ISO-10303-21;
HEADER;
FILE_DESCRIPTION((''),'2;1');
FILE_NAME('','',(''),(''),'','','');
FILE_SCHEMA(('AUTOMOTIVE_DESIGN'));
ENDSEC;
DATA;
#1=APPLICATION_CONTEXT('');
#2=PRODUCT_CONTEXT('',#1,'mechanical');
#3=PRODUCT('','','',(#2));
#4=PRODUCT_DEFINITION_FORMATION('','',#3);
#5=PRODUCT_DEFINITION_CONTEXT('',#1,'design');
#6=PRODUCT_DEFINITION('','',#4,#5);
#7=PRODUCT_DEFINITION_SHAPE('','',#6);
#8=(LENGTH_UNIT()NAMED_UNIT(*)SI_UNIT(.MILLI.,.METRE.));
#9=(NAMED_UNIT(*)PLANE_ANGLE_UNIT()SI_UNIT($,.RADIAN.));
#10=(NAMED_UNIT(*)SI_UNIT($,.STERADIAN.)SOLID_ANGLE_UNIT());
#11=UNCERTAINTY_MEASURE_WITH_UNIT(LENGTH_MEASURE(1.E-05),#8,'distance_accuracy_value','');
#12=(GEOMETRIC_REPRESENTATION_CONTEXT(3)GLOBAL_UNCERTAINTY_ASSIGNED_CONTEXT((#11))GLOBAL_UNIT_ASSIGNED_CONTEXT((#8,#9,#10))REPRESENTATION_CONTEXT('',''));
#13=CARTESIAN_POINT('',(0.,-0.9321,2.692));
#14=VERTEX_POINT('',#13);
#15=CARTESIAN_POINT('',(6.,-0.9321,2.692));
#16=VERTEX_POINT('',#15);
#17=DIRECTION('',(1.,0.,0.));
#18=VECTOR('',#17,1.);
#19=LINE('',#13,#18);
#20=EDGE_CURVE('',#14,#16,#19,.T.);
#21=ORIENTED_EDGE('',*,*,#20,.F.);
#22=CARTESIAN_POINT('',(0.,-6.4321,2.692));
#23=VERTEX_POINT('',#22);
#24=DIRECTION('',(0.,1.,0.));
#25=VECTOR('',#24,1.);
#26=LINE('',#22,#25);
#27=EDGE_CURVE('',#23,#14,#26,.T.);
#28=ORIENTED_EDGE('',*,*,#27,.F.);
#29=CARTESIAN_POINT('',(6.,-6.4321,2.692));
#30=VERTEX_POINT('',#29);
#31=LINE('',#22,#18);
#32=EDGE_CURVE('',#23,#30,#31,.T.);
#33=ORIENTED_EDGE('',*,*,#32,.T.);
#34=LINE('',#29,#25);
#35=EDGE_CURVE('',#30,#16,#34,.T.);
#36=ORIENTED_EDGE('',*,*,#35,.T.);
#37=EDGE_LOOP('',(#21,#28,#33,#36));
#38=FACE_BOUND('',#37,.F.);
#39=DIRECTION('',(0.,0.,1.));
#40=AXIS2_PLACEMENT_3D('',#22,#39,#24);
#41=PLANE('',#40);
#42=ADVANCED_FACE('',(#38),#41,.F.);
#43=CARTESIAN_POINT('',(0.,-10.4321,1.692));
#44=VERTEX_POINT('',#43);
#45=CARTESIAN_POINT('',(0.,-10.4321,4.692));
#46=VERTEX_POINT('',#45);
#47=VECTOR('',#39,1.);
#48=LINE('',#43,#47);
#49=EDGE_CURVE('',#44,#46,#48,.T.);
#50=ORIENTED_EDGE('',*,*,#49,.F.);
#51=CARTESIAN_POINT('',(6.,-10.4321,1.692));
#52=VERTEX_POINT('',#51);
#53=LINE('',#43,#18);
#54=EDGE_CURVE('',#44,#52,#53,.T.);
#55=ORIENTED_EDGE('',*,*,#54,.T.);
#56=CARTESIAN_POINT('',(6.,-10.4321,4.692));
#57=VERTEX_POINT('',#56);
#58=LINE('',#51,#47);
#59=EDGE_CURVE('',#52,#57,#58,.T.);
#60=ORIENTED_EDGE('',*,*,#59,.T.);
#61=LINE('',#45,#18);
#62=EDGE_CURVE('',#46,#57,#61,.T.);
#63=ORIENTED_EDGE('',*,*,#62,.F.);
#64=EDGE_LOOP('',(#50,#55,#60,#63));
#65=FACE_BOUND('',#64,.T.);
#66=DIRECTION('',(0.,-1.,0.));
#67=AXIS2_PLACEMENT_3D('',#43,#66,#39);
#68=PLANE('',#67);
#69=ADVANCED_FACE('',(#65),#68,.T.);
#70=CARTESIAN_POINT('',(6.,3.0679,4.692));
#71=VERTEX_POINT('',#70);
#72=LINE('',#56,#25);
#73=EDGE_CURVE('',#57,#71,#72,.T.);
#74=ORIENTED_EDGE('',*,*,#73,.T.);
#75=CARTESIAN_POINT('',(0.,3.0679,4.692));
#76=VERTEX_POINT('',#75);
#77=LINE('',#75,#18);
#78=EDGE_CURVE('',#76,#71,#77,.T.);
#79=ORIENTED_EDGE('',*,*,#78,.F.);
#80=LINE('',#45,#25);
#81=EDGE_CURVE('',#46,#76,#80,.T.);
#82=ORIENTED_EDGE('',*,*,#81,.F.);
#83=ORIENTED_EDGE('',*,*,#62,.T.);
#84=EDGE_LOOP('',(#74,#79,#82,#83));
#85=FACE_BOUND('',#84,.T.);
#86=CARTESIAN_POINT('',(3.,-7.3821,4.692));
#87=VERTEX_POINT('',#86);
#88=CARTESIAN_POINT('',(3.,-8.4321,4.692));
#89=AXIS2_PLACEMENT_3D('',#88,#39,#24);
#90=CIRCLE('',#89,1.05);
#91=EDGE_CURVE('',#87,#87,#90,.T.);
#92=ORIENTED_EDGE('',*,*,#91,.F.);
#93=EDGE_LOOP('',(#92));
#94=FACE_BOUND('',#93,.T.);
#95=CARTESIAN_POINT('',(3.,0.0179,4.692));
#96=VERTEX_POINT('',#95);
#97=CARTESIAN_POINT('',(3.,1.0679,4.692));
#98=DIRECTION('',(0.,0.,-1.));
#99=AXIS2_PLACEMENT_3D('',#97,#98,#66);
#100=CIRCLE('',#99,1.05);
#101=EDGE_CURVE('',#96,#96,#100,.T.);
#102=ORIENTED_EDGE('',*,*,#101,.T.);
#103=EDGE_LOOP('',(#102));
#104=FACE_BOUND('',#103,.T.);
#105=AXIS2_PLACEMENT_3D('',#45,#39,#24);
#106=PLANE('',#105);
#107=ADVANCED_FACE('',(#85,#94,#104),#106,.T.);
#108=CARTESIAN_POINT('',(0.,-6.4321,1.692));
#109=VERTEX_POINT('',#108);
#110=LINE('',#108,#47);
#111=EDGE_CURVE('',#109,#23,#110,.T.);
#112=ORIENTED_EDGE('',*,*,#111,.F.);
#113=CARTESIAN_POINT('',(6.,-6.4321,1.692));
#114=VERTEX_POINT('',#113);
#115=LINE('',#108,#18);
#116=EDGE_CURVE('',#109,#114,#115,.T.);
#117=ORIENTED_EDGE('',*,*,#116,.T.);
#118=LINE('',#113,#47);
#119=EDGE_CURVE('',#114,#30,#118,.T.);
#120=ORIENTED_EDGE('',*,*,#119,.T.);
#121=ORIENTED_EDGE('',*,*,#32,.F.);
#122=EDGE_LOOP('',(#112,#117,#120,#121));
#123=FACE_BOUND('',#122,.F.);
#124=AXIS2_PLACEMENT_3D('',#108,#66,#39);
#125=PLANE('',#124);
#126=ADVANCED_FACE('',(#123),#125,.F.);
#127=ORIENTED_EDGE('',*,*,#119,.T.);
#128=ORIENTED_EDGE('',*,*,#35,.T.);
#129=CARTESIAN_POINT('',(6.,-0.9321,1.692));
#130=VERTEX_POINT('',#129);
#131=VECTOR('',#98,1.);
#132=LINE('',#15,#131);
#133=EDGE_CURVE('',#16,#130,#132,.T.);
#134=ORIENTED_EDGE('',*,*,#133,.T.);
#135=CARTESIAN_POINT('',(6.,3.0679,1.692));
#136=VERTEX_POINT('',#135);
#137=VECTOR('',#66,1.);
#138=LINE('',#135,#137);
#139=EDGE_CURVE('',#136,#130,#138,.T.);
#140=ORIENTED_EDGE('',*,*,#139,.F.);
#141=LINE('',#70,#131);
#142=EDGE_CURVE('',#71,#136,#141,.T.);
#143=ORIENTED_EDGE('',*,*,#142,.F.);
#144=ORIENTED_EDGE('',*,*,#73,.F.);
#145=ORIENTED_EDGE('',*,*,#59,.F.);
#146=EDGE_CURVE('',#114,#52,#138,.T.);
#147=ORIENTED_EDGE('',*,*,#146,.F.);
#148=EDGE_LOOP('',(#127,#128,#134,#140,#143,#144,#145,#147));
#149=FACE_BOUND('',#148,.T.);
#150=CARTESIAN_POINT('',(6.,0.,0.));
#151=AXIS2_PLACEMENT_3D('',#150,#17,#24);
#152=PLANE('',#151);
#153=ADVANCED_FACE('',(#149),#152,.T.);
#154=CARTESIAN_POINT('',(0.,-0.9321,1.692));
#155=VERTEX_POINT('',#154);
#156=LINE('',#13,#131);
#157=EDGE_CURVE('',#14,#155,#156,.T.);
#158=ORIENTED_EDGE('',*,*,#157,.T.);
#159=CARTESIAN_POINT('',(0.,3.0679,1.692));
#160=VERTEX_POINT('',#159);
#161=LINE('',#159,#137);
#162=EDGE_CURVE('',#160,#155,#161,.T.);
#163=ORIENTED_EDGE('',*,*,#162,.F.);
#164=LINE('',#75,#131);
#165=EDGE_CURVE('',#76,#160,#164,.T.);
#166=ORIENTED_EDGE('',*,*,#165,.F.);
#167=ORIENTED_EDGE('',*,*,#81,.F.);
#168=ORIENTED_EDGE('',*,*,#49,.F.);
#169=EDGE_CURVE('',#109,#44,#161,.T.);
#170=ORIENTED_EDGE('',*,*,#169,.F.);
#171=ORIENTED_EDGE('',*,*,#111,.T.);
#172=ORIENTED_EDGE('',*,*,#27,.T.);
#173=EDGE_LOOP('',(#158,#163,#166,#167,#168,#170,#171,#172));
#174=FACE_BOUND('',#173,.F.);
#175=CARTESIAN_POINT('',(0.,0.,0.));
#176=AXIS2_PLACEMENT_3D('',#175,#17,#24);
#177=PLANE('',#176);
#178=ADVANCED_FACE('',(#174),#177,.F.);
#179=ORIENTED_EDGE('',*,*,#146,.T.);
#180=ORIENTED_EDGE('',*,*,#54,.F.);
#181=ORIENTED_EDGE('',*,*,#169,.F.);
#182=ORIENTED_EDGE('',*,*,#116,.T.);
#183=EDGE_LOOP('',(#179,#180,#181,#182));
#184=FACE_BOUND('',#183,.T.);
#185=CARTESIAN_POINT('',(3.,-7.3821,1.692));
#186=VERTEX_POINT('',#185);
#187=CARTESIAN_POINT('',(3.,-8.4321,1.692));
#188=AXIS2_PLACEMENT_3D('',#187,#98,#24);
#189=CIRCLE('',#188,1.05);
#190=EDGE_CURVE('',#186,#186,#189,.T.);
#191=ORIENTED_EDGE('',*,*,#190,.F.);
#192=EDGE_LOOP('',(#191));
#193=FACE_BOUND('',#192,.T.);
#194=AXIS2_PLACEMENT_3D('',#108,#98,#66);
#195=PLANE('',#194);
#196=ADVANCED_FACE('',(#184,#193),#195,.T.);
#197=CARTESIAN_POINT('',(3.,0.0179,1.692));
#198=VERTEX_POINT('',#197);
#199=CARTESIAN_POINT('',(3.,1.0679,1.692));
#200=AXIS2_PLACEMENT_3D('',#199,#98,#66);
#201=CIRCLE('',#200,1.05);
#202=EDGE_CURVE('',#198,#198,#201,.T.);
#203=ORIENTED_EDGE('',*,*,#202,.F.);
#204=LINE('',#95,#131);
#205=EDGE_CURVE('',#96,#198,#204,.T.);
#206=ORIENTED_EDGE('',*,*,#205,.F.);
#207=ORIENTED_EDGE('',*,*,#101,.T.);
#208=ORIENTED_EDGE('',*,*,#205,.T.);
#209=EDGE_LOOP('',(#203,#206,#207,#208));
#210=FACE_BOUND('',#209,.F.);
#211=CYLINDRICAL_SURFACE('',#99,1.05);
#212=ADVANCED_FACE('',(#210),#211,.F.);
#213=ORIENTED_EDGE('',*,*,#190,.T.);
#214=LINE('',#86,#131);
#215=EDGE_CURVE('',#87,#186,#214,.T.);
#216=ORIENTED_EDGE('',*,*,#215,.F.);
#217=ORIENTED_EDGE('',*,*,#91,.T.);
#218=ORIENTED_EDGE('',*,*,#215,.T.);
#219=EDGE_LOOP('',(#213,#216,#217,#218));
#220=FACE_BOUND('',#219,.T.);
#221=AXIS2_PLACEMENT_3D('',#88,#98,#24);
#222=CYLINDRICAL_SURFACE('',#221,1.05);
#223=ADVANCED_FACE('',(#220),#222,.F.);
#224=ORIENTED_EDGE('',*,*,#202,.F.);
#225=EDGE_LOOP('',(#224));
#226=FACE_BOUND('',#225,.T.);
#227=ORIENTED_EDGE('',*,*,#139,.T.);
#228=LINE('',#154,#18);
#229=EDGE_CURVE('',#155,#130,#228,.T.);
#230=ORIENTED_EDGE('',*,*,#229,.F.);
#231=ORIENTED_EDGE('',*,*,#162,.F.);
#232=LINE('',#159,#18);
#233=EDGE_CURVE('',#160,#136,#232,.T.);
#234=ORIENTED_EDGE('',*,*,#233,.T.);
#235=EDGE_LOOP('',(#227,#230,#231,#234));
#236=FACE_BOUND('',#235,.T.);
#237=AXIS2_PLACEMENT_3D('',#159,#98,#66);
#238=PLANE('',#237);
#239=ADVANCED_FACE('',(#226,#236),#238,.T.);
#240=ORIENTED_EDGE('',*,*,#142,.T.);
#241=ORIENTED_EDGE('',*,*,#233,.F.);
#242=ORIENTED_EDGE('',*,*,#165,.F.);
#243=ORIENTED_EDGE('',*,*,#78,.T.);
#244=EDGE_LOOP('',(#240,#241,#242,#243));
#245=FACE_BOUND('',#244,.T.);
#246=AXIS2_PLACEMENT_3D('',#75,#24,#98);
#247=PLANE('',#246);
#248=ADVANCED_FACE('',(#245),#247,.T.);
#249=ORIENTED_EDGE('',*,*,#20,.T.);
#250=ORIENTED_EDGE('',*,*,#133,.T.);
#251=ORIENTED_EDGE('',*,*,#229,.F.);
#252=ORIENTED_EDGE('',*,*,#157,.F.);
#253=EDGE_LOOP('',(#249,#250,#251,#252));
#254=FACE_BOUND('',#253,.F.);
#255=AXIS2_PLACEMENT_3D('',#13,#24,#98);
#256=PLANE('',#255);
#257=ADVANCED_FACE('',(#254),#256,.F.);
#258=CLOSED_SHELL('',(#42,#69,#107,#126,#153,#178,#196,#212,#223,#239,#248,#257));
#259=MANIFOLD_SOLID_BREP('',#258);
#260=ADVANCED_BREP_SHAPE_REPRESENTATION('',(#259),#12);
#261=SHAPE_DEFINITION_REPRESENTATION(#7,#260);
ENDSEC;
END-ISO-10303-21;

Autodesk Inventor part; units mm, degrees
ref_plane "YZ Plane" through (0, 0, 0) normal (1, 0, 0) x (0, 1, 0)
ref_plane "XZ Plane" through (0, 0, 0) normal (0, 1, 0) x (-1, 0, 0)
ref_plane "XY Plane" through (0, 0, 0) normal (0, 0, 1) x (1, 0, 0)
sketch "Sketch1" plane through (0, 0, 0) normal (1, 0, 0) x (0, 1, 0)
  line L0 (-0.5, 0) -> (0.55, 0) projected
  line L1 (3.0679, 1.692) -> (-10.4321, 1.692)
  line L2 (-10.4321, 1.692) -> (-10.4321, 4.692)
  line L3 (-10.4321, 4.692) -> (3.0679, 4.692)
  line L4 (3.0679, 4.692) -> (3.0679, 1.692)
  line L5 (-0.9321, 1.692) -> (-6.4321, 1.692)
  line L6 (-6.4321, 1.692) -> (-6.4321, 2.692)
  line L7 (-6.4321, 2.692) -> (-0.9321, 2.692)
  line L8 (-0.9321, 2.692) -> (-0.9321, 1.692)
  line L9 (-3.6821, 1.692) -> (-3.6821, 4.692) construction
  line L10 (1.0679, 4.692) -> (1.0679, 1.692) construction
  line L11 (-0.5, 0) -> (0.55, 0) construction
  point P0 (0, 0)
  dimension "d0" = 5.5
  dimension "d1" = 4
  dimension "d2" = 2
  dimension "d3" = 1
  dimension "d4" = 2
extrude "Extrusion1" add sketch "Sketch1" along normal blind 6 contours L1 L8 L7 L6 L2 L3 L4
sketch "Sketch2" plane through (0, -10.4321, 4.692) normal (0, 0, 1) x (1, 0, 0)
  line L0 (0, 11.5) -> (6, 11.5) construction
  line L1 (6, 13.5) -> (6, 0) construction
  point P0 (0, 10.4321)
  point P1 (3, 11.5)
hole "Hole1" at (3, 1.0679, 4.692) direction (0, 0, -1) diameter 2.1 end through all clearance for "Socket Head Cap Screw ISO 4762" size "M2" standard "ISO"
ref_plane "Work Plane1" through (0, -3.6821, 4.692) normal (0, 1, 0) x (1, 0, 0)
mirror "Mirror1" about plane through (0, -3.6821, 4.692) normal (0, 1, 0) of "Hole1"
properties part number "Encoder_Cable_Clamp"
